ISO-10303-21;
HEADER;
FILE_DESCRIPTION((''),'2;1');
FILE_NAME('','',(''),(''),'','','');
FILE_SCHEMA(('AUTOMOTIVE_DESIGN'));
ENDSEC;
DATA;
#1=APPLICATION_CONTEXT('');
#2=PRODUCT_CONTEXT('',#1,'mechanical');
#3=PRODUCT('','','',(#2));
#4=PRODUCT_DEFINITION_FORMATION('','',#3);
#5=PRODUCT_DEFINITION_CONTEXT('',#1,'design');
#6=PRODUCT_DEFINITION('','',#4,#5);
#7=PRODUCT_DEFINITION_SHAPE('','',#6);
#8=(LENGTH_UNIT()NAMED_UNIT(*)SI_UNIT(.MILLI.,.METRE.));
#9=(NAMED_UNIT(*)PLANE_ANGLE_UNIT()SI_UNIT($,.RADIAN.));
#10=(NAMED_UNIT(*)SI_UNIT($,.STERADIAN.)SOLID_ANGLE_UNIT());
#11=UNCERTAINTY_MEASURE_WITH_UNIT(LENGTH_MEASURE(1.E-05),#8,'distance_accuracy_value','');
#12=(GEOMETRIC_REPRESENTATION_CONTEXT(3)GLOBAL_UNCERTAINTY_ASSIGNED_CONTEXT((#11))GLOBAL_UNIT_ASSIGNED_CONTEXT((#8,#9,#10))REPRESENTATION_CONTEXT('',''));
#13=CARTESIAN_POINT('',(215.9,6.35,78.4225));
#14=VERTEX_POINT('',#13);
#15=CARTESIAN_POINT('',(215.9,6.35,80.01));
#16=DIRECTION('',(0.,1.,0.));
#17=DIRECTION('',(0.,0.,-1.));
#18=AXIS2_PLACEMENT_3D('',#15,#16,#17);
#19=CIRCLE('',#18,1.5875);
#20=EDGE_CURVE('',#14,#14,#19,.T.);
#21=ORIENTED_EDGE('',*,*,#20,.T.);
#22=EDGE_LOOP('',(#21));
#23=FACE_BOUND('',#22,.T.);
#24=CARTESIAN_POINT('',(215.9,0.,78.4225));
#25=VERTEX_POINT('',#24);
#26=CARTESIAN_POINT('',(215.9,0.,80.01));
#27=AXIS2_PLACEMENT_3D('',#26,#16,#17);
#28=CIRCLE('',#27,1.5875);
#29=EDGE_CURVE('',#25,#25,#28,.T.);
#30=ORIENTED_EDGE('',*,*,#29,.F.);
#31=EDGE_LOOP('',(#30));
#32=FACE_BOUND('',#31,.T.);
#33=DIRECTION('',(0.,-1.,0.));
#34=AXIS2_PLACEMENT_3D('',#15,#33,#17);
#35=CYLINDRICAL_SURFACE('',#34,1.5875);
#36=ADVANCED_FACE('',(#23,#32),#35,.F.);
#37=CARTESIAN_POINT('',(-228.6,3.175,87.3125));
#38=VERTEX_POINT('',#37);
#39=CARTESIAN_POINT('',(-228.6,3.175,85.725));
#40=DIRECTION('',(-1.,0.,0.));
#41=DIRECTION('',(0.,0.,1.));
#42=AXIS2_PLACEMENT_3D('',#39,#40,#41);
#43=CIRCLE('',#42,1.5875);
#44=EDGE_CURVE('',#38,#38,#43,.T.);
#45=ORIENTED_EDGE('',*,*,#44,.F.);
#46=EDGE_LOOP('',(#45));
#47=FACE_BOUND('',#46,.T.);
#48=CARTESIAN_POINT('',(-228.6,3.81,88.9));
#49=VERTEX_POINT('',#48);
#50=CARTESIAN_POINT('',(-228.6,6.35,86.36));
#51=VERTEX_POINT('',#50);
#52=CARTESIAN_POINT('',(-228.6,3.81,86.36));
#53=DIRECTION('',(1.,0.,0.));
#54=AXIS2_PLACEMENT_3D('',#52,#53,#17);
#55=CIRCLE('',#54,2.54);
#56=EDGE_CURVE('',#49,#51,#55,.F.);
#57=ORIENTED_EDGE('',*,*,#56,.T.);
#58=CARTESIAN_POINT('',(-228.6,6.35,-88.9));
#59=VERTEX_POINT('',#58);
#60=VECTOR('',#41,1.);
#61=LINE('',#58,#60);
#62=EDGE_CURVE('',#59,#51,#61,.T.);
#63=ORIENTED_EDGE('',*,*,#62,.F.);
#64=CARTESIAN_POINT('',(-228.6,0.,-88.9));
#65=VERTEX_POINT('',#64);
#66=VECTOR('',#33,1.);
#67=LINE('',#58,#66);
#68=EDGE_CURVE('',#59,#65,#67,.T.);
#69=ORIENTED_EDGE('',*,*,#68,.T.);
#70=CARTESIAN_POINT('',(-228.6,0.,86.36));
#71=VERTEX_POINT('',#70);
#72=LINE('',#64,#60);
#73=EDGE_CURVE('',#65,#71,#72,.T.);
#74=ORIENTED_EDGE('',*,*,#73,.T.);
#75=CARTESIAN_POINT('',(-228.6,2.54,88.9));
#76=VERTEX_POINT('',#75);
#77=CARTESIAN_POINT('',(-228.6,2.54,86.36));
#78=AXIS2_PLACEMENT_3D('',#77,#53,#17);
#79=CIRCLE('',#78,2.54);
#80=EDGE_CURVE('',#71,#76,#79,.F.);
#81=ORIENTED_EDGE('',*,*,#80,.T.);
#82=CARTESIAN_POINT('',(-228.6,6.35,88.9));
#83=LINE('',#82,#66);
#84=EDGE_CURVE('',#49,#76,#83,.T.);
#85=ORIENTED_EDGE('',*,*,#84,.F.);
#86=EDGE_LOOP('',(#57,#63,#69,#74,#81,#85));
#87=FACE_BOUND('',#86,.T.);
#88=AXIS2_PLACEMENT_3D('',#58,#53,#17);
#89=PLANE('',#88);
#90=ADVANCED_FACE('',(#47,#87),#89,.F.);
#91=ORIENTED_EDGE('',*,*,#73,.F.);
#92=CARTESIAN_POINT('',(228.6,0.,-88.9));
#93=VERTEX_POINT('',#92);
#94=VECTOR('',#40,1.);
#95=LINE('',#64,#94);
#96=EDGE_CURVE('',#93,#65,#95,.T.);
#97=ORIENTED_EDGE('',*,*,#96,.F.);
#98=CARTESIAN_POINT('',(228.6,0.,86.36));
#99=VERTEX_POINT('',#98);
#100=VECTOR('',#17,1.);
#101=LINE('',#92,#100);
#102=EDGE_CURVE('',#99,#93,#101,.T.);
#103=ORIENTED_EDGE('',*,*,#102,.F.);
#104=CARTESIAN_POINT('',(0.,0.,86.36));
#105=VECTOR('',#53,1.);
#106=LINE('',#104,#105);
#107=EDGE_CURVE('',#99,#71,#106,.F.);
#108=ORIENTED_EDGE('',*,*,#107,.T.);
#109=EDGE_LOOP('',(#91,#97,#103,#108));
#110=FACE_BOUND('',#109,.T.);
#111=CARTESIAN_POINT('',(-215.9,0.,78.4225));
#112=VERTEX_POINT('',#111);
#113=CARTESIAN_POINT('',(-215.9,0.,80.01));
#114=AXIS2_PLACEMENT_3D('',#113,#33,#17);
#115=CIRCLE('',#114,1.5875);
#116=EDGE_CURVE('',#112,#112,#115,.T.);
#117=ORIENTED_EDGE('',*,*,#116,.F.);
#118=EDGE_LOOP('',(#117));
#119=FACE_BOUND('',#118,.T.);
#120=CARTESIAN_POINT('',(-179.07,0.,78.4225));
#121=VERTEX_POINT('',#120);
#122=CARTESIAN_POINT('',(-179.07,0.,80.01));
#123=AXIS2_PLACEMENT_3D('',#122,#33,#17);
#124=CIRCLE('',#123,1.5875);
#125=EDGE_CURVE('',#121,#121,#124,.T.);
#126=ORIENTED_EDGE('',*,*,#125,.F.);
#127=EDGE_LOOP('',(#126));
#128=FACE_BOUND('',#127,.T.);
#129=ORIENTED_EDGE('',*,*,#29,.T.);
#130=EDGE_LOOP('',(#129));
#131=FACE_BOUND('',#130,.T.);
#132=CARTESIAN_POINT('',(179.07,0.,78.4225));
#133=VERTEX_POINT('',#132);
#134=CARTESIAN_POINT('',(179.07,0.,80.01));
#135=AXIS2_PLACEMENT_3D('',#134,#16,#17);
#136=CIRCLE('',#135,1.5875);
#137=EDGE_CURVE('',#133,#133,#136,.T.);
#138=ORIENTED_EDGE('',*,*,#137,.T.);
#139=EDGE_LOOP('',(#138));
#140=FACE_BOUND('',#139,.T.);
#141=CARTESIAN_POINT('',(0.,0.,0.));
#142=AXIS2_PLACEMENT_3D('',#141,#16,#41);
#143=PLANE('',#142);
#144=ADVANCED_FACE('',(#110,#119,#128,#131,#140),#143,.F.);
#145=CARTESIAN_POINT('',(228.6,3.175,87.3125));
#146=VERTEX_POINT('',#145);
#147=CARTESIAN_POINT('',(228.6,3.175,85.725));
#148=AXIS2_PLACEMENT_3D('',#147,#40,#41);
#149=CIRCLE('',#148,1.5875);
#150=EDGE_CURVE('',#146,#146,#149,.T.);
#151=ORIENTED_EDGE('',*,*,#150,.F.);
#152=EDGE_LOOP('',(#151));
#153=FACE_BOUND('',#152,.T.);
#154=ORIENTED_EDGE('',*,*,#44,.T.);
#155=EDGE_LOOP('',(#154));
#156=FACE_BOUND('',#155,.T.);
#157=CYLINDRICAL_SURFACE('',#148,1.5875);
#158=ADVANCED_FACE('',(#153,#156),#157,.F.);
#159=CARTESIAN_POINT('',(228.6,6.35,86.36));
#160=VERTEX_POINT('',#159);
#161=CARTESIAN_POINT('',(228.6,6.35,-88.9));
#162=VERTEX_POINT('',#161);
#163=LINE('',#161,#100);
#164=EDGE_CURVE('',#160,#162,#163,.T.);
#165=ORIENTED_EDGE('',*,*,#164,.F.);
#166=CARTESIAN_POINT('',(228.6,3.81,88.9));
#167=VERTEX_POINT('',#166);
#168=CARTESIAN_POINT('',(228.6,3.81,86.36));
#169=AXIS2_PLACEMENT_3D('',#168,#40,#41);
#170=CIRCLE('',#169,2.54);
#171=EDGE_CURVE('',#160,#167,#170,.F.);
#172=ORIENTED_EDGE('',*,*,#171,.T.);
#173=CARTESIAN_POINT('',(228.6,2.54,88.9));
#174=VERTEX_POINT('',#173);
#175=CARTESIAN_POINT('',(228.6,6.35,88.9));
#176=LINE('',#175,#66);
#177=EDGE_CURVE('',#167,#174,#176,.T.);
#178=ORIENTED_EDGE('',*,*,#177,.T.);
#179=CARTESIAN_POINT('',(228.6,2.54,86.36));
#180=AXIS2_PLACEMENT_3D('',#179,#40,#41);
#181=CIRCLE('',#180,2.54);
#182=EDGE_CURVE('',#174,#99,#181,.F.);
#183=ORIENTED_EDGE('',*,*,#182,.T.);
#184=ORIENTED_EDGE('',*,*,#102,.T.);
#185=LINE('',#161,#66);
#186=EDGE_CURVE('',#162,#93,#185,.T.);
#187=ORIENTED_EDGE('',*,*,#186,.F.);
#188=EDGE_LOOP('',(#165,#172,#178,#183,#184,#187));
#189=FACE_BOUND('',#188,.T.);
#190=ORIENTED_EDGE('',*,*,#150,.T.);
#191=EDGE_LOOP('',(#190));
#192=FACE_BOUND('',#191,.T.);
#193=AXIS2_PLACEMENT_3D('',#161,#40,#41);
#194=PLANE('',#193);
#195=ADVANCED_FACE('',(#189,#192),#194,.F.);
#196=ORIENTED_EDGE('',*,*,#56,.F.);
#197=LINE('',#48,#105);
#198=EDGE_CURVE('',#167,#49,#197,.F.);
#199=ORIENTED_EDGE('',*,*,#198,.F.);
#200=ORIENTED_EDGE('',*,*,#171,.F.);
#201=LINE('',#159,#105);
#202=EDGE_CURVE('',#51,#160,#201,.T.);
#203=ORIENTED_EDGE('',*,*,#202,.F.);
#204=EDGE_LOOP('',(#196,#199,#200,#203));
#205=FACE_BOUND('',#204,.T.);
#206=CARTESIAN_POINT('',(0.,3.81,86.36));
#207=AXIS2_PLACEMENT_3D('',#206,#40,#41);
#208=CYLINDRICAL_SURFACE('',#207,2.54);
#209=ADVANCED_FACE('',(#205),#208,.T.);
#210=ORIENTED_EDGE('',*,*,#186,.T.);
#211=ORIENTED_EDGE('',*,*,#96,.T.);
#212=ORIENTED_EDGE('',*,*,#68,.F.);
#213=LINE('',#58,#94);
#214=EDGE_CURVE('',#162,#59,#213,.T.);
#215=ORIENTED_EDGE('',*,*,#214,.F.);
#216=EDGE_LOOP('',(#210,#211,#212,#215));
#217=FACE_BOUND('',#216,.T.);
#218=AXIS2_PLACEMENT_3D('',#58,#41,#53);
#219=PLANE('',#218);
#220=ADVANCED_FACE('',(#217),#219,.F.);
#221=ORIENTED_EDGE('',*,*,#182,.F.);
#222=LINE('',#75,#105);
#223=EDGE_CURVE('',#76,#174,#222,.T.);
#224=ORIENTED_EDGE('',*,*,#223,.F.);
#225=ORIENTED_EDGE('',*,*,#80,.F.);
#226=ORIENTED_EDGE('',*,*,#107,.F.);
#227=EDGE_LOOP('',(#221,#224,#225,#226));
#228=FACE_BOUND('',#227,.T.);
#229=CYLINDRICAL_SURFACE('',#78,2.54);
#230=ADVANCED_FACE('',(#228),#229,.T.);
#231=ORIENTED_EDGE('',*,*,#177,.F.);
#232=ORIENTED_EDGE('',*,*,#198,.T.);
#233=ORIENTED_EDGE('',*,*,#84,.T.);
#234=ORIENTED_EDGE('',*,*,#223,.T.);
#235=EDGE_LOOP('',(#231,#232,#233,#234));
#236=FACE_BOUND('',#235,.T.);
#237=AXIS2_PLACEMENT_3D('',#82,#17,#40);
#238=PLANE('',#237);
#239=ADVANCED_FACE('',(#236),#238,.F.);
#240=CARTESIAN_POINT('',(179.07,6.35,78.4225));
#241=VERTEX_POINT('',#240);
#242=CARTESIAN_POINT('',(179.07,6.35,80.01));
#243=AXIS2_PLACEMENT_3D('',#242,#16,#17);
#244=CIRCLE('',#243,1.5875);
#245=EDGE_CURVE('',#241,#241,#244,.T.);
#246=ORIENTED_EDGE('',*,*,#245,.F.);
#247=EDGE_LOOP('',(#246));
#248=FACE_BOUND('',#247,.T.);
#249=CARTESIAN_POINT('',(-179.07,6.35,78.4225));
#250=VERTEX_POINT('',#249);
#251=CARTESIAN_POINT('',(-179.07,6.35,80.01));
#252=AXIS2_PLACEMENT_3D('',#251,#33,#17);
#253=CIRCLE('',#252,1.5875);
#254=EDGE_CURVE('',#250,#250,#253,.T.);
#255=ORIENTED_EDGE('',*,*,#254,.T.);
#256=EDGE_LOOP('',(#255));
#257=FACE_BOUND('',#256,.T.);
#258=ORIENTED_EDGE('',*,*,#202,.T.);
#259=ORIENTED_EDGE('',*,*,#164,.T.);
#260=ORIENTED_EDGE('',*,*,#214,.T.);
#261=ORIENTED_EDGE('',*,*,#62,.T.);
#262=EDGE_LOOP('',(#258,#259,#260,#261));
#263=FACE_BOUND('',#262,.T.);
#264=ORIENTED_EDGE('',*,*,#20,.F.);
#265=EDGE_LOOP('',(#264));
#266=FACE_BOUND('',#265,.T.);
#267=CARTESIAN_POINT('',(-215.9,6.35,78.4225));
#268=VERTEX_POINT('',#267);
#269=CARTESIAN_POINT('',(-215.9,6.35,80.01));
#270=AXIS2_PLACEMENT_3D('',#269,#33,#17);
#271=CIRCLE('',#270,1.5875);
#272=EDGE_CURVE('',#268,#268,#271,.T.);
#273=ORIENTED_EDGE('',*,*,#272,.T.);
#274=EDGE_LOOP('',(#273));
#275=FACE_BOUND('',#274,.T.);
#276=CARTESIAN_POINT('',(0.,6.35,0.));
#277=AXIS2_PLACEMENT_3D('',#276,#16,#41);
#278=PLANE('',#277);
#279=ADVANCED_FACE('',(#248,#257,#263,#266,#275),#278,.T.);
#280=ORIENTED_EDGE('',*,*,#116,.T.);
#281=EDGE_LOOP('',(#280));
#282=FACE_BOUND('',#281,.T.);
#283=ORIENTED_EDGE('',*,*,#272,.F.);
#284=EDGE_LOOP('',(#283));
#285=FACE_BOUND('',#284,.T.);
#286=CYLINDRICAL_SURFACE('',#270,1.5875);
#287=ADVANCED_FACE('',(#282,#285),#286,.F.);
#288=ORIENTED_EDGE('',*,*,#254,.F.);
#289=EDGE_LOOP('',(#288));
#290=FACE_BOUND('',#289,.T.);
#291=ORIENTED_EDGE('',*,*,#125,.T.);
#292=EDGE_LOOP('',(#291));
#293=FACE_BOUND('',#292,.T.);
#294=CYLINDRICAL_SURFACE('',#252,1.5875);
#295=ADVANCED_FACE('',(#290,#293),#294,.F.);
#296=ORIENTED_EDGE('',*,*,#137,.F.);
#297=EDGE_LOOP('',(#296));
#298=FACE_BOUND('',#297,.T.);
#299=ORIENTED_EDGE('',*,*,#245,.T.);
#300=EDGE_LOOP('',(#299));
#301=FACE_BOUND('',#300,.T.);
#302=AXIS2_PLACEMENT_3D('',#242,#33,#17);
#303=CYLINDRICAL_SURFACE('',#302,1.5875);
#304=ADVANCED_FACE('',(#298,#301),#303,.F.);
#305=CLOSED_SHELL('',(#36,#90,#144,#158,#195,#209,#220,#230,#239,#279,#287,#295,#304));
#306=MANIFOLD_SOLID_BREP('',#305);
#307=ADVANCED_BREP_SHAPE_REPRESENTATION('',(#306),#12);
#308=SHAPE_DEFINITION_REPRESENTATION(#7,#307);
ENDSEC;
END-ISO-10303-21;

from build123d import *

# Parameters (mm, degrees)
SKETCH1_W           = 457.2
SKETCH1_H           = 177.8
BOSS_EXTRUDE1_DEPTH = 6.35
SKETCH2_R           = 1.5875
CUT_EXTRUDE1_DEPTH  = 466.806153351
FILLET1_R           = 2.54
SKETCH4_R           = 1.5875
CUT_EXTRUDE3_DEPTH  = 246.359924397


with BuildPart() as part:
    # Sketch1 → Boss-Extrude1 (new body)
    with BuildSketch(Plane(origin=(0, 0, 0), x_dir=(1, 0, 0), z_dir=(0, 1, 0))):
        Rectangle(SKETCH1_W, SKETCH1_H)
    extrude(amount=BOSS_EXTRUDE1_DEPTH)

    # Sketch2 → Cut-Extrude1 (cut, through all)
    with BuildSketch(Plane.ZY.offset(228.6)):
        with Locations((85.725, 3.175)):
            Circle(SKETCH2_R)
    extrude(amount=-CUT_EXTRUDE1_DEPTH, mode=Mode.SUBTRACT)

    # Fillet1
    fillet1_edges = [part.edges().sort_by_distance(p)[0] for p in [
        (0, 6.35, 88.9),
        (0, 0, 88.9),
    ]]
    fillet(fillet1_edges, radius=FILLET1_R)

    # Sketch4 → Cut-Extrude3 (cut, through all)
    with BuildSketch(Plane.XZ):
        with Locations(Location((-179.07, 80.01, 0), (0, 0, 270))):
            Circle(SKETCH4_R)
        with Locations(Location((-215.9, 80.01, 0), (0, 0, 270))):
            Circle(SKETCH4_R)
    cut_extrude3 = extrude(amount=-CUT_EXTRUDE3_DEPTH, mode=Mode.SUBTRACT)

    # Mirror1: Cut-Extrude3 across plane
    add(cut_extrude3.mirror(Plane(origin=(0, 0, 0), x_dir=(0, 0, 1), z_dir=(1, 0, 0))), mode=Mode.SUBTRACT)


solid = part.part
